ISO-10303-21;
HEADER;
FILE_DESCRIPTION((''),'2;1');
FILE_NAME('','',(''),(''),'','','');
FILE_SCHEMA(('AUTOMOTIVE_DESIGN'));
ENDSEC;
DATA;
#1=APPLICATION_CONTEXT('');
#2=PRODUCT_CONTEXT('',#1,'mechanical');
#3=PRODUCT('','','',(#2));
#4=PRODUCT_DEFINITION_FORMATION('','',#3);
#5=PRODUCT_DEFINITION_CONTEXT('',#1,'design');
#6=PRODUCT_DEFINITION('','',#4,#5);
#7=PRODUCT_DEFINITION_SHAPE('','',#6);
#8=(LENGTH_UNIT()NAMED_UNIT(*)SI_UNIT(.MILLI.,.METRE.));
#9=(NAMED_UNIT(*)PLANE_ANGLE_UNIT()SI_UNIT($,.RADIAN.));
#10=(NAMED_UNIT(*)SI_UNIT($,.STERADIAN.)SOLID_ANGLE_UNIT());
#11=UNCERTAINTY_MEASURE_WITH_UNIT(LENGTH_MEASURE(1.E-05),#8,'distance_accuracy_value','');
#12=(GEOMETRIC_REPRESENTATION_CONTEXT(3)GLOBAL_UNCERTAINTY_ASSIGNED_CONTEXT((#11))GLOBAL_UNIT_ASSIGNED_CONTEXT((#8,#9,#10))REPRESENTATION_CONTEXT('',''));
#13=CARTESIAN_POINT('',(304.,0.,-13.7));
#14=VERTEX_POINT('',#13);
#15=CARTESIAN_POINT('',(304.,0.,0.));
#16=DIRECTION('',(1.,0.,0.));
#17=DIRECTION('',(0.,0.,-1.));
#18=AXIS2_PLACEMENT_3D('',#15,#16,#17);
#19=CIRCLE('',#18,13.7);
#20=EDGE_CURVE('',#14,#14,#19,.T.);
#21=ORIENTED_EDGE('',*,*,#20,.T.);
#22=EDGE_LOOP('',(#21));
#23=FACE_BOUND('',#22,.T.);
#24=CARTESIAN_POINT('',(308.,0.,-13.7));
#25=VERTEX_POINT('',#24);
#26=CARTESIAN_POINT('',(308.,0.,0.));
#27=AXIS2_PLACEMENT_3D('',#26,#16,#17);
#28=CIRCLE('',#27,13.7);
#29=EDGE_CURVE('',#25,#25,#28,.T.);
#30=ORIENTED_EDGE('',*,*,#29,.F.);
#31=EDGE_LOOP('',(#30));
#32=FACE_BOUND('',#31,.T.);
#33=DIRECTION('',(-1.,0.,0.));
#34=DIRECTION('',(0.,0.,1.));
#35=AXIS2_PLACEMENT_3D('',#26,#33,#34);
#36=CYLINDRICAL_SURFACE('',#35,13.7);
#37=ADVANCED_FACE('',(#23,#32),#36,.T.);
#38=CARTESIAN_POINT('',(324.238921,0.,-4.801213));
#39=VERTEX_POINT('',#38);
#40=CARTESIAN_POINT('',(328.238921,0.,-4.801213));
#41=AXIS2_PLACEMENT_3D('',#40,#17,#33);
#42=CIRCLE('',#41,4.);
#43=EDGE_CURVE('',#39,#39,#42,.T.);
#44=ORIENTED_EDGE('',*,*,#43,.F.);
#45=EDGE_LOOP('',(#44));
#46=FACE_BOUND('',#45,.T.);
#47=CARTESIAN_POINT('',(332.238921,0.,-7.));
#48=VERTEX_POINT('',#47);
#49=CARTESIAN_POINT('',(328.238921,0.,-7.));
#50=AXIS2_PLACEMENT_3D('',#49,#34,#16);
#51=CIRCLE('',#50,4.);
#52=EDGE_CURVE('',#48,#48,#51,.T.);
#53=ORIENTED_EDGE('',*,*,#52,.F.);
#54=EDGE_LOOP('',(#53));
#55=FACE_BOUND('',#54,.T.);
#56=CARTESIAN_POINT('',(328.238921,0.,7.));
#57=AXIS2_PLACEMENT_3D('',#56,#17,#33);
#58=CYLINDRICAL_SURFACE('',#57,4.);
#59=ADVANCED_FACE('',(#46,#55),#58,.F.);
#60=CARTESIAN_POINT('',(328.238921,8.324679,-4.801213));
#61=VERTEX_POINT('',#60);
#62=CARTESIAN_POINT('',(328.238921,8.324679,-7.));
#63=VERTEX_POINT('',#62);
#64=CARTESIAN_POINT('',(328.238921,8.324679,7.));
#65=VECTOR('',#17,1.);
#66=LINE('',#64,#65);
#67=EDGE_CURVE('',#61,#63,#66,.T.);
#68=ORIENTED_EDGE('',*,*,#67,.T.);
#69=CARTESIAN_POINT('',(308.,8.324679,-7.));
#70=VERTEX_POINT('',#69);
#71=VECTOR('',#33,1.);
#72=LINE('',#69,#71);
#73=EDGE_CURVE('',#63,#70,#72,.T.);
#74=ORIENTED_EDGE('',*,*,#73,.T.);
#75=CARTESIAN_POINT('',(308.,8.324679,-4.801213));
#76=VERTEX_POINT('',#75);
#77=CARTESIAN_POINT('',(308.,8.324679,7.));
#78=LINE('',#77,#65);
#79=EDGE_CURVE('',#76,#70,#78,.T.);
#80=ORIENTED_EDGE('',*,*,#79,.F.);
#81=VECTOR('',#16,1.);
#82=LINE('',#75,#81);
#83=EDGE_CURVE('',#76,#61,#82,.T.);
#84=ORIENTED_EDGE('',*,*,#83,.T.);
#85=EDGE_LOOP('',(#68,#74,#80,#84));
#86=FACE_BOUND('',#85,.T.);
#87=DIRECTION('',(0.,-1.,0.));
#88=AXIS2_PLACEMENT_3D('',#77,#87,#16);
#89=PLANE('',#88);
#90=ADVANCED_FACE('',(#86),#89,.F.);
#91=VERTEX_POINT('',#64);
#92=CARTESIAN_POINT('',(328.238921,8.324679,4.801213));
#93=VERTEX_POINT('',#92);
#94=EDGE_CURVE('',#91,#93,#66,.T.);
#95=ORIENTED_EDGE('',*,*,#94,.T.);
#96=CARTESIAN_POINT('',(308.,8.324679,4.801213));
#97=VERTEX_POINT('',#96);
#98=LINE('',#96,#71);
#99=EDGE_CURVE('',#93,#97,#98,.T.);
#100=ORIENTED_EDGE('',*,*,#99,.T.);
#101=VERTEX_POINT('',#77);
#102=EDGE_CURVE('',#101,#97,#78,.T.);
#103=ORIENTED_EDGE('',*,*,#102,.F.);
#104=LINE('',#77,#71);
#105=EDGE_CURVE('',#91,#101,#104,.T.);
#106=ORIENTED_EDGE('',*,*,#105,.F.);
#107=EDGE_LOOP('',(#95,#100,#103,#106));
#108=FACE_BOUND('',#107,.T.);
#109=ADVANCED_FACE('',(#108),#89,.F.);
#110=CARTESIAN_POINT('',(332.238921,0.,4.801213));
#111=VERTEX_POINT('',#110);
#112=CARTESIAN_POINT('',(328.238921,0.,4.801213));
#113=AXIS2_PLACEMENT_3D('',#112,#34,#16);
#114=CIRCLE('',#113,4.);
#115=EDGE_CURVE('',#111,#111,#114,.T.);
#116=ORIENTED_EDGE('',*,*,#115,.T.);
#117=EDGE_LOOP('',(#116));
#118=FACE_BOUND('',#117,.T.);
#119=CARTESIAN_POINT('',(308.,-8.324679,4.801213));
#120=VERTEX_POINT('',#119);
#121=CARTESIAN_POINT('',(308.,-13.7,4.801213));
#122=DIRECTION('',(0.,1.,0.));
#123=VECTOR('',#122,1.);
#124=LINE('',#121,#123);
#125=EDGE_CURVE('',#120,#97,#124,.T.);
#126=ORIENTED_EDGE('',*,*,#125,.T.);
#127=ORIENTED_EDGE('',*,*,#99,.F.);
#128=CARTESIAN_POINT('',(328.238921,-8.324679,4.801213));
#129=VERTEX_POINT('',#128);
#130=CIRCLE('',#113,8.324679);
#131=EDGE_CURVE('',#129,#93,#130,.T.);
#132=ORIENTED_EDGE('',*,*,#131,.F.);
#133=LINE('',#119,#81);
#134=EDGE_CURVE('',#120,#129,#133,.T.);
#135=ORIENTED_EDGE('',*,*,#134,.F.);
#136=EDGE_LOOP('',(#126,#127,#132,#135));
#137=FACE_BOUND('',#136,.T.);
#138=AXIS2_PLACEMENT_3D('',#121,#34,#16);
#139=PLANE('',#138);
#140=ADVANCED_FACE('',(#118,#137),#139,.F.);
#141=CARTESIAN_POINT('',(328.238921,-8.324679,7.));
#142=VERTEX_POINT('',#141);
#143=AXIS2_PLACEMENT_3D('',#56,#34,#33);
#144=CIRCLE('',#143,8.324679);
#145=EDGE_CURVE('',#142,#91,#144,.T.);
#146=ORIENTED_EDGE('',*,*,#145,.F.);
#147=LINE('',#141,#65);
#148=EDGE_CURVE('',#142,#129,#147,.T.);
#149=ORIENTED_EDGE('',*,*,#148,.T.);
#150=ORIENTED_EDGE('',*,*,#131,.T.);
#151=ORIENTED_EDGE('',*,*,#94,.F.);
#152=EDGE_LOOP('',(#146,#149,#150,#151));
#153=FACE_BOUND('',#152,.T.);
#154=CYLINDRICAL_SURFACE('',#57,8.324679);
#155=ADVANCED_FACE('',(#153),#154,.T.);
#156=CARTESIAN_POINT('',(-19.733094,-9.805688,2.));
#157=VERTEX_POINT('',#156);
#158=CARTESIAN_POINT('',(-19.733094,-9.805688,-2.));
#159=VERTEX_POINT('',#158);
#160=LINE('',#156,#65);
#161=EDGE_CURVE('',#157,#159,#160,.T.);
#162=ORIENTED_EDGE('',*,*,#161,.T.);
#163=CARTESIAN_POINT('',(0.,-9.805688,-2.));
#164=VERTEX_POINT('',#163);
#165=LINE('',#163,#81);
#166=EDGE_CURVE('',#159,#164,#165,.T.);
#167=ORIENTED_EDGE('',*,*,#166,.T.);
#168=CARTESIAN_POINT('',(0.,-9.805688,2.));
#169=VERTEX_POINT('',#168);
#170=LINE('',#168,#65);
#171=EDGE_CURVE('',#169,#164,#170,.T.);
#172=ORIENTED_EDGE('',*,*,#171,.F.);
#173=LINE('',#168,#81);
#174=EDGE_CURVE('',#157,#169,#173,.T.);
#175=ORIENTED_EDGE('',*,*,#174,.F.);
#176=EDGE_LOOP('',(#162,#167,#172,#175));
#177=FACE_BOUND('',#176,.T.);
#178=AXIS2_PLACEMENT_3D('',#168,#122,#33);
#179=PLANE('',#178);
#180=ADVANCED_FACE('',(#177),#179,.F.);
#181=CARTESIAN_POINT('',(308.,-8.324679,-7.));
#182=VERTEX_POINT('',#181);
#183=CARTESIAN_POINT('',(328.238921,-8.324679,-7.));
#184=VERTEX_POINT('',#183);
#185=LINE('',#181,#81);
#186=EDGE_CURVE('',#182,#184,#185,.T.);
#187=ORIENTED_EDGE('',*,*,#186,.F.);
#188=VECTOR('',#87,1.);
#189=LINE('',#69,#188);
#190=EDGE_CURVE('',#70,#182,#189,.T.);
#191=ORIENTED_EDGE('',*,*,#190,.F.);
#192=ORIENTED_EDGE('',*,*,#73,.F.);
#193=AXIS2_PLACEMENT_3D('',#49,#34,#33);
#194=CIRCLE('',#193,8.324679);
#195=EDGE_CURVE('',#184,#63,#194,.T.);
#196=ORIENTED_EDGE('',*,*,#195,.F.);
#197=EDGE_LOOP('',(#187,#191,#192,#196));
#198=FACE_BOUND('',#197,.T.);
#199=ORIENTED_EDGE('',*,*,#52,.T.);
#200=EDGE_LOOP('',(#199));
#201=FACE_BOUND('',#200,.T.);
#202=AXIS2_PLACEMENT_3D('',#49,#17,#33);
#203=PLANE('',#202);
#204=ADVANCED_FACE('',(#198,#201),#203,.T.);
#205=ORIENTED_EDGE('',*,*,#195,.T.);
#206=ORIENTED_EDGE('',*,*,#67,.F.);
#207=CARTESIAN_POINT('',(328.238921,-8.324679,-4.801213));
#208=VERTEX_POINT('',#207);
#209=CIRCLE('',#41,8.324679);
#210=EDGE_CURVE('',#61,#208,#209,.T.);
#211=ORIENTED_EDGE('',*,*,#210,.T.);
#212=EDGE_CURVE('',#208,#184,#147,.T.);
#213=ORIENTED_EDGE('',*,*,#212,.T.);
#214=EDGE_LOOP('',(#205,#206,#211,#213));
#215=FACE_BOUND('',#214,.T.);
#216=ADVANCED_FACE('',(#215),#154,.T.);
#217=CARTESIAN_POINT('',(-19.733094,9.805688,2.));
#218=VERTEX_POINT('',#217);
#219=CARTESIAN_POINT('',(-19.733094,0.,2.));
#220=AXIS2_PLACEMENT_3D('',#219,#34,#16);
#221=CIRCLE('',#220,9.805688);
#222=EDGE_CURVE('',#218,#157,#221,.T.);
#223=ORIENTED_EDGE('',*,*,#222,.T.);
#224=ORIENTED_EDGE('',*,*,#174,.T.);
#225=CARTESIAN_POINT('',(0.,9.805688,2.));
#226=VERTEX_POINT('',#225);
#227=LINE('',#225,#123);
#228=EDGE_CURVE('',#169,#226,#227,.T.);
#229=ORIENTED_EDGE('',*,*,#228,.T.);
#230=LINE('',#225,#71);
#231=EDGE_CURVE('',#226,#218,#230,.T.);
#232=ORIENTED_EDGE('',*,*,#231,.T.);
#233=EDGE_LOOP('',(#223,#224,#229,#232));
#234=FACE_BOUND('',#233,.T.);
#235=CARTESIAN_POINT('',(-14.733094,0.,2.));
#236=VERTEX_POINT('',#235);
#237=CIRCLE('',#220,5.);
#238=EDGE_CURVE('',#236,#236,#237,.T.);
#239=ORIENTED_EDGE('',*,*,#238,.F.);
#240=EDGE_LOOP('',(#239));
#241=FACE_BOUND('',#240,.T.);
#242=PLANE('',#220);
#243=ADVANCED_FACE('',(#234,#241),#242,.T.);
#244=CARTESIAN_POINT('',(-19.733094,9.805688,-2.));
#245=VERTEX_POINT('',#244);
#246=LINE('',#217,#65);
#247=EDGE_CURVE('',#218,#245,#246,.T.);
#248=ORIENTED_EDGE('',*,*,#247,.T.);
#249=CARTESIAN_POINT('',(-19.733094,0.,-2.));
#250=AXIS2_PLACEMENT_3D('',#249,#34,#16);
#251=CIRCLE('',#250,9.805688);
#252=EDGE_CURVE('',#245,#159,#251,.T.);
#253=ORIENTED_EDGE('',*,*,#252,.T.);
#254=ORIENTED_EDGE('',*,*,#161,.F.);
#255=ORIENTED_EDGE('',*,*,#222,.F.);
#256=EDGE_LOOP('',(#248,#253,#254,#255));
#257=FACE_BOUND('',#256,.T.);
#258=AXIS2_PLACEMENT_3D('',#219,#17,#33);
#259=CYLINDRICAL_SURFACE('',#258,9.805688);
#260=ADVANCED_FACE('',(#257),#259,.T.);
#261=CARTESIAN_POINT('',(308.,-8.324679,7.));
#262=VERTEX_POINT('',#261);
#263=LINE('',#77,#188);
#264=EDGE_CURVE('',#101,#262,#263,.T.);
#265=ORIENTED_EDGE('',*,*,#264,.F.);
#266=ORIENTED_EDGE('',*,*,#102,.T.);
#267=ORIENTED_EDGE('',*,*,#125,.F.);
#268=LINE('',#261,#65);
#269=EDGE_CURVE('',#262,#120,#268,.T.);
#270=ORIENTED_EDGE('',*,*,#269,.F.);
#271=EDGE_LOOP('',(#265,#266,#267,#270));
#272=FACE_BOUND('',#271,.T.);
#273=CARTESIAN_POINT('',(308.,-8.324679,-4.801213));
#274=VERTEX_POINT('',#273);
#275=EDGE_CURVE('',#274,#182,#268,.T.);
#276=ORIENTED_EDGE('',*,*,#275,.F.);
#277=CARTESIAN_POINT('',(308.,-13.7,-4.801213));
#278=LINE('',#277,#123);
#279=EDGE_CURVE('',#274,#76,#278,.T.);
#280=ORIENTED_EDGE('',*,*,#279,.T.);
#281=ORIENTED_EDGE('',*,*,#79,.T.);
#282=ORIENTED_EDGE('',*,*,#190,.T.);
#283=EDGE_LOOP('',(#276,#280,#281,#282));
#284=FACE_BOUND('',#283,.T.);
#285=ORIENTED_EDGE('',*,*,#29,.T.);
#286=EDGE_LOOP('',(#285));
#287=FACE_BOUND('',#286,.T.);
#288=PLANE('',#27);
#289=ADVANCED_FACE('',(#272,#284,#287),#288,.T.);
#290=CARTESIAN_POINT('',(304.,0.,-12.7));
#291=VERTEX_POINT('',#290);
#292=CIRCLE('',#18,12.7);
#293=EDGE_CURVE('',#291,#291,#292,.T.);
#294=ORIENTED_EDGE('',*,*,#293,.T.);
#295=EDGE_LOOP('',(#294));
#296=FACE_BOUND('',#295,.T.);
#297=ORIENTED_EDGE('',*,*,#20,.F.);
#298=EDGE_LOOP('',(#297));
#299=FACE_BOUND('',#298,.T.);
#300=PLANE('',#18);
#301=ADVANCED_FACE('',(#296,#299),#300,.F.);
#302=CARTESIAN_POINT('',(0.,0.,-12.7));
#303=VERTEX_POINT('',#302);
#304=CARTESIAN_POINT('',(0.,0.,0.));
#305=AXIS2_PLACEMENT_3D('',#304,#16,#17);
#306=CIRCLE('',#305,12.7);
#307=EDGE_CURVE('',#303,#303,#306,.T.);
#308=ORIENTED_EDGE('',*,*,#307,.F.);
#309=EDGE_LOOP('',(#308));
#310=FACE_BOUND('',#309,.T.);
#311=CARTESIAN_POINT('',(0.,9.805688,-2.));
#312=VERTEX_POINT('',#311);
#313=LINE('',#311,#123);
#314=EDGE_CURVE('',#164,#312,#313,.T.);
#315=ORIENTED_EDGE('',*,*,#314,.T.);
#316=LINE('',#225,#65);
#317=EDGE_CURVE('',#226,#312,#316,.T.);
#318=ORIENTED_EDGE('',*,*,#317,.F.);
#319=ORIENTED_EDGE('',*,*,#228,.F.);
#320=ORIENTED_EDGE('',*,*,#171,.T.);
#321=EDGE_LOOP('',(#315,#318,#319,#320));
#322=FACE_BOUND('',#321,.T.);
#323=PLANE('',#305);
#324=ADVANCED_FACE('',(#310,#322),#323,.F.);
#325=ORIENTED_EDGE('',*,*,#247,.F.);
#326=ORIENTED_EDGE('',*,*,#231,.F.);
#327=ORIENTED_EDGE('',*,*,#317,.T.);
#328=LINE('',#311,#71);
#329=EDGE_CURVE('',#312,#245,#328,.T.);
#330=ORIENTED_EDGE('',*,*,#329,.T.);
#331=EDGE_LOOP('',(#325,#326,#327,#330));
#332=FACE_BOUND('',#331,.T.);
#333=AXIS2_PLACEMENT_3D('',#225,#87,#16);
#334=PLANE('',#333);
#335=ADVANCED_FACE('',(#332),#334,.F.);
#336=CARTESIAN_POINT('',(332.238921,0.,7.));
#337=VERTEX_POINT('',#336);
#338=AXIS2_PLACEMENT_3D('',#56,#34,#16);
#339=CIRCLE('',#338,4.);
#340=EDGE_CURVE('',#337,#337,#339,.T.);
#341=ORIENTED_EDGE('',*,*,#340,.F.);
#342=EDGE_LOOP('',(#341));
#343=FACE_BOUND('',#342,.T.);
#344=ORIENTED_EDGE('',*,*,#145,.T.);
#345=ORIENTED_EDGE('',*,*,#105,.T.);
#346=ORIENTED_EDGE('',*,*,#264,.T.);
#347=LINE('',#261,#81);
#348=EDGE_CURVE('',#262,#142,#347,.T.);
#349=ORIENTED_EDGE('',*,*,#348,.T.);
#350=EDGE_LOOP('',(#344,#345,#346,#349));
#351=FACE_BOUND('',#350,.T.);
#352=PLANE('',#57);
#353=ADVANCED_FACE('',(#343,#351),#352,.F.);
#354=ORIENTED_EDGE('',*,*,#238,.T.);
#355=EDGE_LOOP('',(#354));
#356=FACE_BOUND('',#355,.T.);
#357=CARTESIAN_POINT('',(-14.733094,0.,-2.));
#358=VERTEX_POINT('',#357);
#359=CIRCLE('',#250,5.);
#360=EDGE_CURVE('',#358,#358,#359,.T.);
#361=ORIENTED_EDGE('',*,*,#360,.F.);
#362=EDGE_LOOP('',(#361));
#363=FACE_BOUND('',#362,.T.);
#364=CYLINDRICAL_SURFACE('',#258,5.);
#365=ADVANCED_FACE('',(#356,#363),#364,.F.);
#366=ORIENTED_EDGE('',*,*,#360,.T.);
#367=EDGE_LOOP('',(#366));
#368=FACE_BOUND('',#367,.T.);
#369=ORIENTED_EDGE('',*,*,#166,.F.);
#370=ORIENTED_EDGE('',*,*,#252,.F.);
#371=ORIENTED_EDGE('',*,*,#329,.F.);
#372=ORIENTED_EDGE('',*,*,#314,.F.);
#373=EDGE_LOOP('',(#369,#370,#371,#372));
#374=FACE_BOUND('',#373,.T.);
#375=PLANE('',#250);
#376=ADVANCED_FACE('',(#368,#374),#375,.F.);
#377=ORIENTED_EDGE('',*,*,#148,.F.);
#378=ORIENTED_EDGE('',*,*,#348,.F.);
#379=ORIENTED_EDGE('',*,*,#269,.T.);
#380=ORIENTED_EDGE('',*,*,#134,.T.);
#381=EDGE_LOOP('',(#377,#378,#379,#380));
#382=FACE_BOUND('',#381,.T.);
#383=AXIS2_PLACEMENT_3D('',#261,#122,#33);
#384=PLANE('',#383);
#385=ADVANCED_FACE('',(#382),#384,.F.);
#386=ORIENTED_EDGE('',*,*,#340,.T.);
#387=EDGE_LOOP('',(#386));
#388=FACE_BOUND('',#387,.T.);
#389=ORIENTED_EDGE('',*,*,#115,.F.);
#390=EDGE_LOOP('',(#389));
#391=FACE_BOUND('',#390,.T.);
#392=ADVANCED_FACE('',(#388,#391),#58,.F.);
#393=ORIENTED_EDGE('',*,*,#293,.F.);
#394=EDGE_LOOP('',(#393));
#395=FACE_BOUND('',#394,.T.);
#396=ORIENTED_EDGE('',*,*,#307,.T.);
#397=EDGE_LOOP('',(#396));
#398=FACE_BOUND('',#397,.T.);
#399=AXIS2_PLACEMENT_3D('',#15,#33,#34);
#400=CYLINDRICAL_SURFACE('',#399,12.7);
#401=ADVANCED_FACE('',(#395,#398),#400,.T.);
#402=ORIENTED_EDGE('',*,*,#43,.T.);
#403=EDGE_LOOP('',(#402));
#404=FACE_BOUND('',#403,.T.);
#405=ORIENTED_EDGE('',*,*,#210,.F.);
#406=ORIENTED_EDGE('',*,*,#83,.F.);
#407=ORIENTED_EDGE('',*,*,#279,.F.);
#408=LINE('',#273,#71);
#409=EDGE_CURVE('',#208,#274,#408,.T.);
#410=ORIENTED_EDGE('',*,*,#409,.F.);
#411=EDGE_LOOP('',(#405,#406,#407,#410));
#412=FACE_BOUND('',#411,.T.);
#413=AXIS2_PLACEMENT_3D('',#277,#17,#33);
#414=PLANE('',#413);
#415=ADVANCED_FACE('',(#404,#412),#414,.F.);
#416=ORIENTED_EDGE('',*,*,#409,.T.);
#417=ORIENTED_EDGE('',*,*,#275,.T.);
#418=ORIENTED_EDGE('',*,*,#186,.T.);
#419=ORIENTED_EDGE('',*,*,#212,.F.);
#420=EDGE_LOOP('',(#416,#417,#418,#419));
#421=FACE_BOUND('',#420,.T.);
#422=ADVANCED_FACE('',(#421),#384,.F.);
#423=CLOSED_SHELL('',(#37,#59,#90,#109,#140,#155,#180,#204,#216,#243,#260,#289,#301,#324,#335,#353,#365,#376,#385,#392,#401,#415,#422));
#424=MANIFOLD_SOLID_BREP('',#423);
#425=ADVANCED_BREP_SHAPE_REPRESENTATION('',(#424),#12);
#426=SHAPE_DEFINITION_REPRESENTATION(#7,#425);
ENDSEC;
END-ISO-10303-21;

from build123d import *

# Parameters (mm, degrees)
SKETCH1_R               = 12.7
EXTRUDE1_DEPTH          = 304
SKETCH2_R               = 5
EXTRUDE2_DEPTH          = 2
SKETCH3_R               = 13.7
EXTRUDE3_DEPTH          = 4
SKETCH4_R               = 4
EXTRUDE4_DEPTH          = 7
SKETCH5_W               = 51.727972269
SKETCH5_H               = 9.602426348
CUT_EXTRUDE1_DEPTH      = 14.7
CUT_EXTRUDE1_DEPTH_BACK = 14.7


with BuildPart() as part:
    # Sketch1 → Extrude1 (new body)
    with BuildSketch(Plane(origin=(0, 0, 0), x_dir=(0, 0, -1), z_dir=(1, 0, 0))):
        Circle(SKETCH1_R)
    extrude(amount=EXTRUDE1_DEPTH)

    # Sketch2 → Extrude2 (add, symmetric)
    with BuildSketch(Plane.XY):
        with BuildLine():
            Line((0, 9.805687548), (-19.733094472, 9.805687548))
            ThreePointArc((-19.733094472, 9.805687548), (-29.53878202, 0), (-19.733094472, -9.805687548))
            Line((-19.733094472, -9.805687548), (0, -9.805687548))
            Line((0, -9.805687548), (0, 9.805687548))
        make_face()
        with Locations((-19.733094472, 0)):
            Circle(SKETCH2_R, mode=Mode.SUBTRACT)
    extrude(amount=EXTRUDE2_DEPTH, both=True)

    # Sketch3 → Extrude3 (add)
    with BuildSketch(Plane(origin=(304, 0, 0), x_dir=(0, 0, -1), z_dir=(1, 0, 0))):
        Circle(SKETCH3_R)
    extrude(amount=EXTRUDE3_DEPTH)

    # Sketch4 → Extrude4 (add, symmetric)
    with BuildSketch(Plane.XY):
        with BuildLine():
            Line((308, 8.324679236), (328.238920727, 8.324679236))
            ThreePointArc((328.238920727, 8.324679236), (336.563599963, 0), (328.238920727, -8.324679236))
            Line((328.238920727, -8.324679236), (308, -8.324679236))
            Line((308, -8.324679236), (308, 8.324679236))
        make_face()
        with Locations((328.238920727, 0)):
            Circle(SKETCH4_R, mode=Mode.SUBTRACT)
    extrude(amount=EXTRUDE4_DEPTH, both=True)

    # Sketch5 → Cut-Extrude1 (cut, two sides)
    with BuildSketch(Plane(origin=(0, 0, 0), x_dir=(1, 0, 0), z_dir=(0, 1, 0))) as cut_extrude1_sk:
        with Locations((333.863986135, 0)):
            Rectangle(SKETCH5_W, SKETCH5_H)
    extrude(amount=CUT_EXTRUDE1_DEPTH, mode=Mode.SUBTRACT)
    extrude(cut_extrude1_sk.sketch, amount=-CUT_EXTRUDE1_DEPTH_BACK, mode=Mode.SUBTRACT)


solid = part.part
